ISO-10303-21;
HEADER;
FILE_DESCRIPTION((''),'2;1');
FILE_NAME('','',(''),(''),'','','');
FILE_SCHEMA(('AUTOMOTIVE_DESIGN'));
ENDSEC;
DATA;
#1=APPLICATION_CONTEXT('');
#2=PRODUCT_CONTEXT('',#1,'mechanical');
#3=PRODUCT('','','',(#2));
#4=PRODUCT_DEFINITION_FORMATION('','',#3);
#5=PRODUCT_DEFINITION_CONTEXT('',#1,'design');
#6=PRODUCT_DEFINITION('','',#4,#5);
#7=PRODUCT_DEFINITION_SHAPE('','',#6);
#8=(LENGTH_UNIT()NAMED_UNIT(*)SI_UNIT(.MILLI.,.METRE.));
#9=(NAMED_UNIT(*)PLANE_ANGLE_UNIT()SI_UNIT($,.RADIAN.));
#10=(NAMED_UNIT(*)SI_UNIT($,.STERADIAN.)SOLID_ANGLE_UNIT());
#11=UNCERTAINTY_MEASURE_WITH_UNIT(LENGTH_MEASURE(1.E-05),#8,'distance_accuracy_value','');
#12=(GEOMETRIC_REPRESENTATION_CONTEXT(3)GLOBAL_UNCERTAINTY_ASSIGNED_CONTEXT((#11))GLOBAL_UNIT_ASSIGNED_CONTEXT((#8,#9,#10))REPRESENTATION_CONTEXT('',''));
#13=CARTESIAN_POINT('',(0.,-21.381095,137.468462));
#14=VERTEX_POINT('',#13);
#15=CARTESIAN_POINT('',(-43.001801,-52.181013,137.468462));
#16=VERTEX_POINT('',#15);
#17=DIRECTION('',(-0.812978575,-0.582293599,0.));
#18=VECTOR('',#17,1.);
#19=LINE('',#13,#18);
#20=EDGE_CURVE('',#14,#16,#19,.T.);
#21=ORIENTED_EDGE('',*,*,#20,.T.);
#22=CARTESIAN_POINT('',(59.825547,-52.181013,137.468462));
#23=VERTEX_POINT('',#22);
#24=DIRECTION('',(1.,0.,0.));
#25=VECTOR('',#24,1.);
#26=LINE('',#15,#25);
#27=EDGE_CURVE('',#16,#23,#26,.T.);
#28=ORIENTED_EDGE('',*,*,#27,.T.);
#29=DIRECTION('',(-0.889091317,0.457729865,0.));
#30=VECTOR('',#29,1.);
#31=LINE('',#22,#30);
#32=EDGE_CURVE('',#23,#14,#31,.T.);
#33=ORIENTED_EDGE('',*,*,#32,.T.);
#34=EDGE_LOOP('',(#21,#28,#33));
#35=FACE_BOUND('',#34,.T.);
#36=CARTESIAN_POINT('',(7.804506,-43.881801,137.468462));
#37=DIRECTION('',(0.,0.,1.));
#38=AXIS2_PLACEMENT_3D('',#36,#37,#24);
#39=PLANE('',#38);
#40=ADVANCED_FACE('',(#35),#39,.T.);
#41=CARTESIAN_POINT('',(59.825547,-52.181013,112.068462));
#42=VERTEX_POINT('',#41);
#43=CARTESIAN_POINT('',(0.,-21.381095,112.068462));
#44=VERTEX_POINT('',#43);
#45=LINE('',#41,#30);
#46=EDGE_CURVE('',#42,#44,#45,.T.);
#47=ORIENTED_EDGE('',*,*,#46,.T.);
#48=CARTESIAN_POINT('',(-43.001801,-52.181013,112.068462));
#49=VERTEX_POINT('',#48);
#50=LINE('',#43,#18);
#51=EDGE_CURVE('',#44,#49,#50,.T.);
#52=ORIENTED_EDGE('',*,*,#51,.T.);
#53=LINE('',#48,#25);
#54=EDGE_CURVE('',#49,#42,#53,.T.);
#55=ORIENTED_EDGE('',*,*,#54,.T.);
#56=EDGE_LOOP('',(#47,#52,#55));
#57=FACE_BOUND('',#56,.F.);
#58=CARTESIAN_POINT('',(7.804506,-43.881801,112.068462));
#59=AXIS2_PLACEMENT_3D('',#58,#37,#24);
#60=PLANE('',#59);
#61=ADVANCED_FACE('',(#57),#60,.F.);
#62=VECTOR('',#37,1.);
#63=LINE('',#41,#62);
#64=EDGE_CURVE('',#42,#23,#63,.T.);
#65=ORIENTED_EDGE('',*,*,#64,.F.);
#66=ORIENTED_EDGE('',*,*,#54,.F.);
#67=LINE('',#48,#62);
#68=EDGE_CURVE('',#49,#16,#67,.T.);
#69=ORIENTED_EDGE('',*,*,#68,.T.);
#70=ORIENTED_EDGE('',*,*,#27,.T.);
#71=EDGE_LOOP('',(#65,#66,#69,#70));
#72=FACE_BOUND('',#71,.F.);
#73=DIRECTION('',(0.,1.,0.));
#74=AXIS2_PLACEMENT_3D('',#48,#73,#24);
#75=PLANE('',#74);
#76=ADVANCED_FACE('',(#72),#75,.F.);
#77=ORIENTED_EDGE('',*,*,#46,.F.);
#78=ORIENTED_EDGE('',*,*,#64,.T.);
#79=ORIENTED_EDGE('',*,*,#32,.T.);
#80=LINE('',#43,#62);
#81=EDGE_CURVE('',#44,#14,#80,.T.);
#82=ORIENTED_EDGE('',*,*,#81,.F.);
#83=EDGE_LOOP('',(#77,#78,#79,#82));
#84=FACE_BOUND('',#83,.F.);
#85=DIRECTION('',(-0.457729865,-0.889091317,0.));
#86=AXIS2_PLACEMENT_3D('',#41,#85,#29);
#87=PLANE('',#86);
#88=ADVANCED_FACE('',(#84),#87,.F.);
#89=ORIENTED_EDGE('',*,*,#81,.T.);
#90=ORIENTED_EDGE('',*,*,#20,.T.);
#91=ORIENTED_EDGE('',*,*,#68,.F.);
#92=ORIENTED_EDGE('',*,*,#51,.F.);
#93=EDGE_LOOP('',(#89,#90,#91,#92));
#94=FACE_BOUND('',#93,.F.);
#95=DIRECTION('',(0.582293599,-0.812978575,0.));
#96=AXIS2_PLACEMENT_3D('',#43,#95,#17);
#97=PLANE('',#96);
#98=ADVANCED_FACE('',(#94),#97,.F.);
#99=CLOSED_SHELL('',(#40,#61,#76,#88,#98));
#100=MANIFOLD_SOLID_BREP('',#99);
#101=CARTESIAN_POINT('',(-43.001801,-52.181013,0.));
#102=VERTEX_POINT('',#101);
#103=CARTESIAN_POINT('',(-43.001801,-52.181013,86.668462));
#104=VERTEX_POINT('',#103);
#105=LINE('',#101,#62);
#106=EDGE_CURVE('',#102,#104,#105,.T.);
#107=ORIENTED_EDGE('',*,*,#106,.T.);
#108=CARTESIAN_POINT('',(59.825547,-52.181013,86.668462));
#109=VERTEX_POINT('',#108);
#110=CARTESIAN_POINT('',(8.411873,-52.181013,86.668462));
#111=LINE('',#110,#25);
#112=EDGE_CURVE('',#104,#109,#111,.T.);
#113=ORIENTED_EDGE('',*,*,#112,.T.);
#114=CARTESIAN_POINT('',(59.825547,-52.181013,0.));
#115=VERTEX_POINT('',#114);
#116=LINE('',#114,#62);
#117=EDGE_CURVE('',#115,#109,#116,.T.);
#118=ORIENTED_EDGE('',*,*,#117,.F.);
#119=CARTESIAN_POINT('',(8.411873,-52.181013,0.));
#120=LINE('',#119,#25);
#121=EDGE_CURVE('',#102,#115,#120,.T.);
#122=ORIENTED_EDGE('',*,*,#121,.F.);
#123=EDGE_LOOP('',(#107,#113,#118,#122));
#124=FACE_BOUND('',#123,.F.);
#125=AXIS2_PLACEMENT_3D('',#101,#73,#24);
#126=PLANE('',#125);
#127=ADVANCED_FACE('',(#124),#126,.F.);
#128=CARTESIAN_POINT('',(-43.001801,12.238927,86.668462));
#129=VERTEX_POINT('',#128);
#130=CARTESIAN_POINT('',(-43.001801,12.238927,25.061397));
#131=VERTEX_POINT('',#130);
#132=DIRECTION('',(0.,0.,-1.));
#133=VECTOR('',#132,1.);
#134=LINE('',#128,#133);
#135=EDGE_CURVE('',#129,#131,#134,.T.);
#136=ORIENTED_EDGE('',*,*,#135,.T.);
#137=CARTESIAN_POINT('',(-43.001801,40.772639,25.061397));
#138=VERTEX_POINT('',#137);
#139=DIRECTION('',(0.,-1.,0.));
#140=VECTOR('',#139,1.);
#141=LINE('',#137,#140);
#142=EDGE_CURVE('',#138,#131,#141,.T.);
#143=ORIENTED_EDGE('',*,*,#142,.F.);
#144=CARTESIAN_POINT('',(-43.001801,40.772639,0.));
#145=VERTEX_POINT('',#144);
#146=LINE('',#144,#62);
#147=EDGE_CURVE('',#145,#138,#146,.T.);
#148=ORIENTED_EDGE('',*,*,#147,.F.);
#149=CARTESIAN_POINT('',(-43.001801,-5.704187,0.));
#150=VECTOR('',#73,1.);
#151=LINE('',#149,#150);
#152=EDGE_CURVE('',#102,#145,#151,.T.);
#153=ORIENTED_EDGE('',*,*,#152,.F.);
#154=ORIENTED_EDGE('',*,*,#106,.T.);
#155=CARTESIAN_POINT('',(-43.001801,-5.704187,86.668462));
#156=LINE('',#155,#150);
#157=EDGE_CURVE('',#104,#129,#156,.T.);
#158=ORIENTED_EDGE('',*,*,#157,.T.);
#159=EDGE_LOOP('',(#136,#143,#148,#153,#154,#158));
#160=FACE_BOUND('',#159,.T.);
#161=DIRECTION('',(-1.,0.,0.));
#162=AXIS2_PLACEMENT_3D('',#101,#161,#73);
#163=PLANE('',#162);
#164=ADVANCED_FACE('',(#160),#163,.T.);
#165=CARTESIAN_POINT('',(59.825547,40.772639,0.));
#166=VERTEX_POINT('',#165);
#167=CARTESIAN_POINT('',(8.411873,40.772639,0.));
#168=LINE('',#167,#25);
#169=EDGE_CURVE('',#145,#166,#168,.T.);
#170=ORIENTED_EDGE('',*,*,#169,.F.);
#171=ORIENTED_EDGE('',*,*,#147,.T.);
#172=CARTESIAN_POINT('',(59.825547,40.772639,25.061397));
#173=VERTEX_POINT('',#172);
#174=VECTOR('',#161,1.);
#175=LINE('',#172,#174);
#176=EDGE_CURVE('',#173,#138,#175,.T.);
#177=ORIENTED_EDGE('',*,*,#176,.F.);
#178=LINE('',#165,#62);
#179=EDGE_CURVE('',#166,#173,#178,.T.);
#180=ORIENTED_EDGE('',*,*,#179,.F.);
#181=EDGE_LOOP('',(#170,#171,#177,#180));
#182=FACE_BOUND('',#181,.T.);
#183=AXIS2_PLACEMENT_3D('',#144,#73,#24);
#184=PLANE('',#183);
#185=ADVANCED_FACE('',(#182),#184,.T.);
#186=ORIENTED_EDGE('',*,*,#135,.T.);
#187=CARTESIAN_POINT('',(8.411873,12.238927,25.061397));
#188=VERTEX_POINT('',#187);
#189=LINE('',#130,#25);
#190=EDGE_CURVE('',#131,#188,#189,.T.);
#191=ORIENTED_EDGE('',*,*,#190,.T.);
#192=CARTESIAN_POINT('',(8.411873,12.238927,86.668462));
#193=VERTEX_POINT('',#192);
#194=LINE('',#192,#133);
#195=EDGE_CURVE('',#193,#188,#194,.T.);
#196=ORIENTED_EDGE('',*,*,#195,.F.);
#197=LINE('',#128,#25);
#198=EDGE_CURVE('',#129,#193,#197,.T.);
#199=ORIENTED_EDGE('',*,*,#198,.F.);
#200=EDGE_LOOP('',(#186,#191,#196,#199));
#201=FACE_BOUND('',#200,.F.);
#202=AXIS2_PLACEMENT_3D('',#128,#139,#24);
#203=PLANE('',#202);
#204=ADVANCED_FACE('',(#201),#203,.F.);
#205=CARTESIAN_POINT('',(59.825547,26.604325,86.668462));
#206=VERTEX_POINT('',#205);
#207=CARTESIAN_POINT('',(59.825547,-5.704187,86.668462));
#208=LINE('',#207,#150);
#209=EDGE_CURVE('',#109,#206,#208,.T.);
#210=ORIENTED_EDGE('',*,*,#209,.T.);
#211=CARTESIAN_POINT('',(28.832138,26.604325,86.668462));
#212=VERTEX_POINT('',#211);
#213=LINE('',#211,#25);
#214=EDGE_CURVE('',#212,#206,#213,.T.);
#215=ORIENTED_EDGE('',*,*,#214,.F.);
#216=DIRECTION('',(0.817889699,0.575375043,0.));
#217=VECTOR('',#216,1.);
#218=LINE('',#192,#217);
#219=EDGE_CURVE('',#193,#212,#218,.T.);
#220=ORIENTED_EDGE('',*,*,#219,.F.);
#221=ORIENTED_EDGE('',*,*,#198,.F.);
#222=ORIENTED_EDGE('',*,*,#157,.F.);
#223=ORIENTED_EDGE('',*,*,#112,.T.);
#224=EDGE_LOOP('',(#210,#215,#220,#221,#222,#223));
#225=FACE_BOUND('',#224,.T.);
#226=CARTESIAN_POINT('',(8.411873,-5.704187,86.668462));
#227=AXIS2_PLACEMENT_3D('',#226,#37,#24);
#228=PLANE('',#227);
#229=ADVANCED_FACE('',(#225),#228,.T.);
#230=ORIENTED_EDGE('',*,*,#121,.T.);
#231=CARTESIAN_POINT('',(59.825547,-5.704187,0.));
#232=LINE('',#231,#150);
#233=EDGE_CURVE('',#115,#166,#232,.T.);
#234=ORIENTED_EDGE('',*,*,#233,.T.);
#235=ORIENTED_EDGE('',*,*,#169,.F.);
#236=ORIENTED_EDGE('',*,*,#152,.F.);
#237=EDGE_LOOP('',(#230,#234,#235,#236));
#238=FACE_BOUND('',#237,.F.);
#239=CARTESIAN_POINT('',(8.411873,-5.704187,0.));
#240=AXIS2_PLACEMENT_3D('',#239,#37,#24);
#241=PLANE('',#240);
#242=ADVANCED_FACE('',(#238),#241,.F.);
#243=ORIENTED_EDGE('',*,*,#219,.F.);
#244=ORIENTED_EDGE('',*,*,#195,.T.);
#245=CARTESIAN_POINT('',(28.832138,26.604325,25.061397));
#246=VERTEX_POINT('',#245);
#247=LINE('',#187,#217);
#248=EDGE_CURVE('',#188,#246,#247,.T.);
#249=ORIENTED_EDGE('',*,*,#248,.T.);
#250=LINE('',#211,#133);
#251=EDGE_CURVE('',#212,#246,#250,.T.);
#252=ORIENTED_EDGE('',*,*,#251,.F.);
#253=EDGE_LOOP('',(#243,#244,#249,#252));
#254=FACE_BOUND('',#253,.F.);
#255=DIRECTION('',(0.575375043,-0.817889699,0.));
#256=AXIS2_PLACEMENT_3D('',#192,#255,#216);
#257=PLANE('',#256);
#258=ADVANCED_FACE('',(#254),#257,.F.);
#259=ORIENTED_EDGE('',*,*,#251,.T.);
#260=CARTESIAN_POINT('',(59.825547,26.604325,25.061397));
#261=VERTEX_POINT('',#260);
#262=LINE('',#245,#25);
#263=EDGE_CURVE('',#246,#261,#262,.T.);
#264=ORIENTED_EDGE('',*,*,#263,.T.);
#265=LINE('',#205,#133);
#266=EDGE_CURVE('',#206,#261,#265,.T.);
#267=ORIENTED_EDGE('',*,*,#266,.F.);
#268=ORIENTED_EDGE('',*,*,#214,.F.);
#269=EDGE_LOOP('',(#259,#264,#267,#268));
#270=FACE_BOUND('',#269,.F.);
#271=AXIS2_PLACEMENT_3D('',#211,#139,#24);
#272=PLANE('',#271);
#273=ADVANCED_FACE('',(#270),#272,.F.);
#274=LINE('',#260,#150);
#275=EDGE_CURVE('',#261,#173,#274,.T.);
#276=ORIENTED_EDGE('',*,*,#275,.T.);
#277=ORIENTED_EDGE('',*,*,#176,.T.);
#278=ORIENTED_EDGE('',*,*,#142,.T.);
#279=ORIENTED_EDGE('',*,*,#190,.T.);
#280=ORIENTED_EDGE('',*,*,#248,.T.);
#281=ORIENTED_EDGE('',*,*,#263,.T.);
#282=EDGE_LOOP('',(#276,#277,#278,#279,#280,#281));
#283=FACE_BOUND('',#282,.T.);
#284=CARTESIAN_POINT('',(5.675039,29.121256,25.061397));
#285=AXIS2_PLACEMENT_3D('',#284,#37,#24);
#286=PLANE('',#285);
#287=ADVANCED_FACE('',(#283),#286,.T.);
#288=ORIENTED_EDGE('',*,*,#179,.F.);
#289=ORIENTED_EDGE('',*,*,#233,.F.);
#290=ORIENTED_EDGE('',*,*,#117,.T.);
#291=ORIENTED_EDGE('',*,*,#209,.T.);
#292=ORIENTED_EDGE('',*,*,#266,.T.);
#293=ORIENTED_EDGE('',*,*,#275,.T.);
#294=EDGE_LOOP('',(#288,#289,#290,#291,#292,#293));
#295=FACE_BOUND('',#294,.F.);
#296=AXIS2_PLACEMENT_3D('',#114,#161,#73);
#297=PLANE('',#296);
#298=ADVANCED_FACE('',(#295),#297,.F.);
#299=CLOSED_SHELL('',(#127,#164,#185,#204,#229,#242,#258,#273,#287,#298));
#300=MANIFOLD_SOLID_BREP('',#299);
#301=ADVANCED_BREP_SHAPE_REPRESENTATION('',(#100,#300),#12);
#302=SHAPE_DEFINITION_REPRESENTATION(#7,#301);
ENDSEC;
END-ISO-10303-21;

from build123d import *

# Parameters (mm, degrees)
F0_W     = 102.827347815
F0_H     = 92.9536521435
F1_DEPTH = 86.6684615612
F3_DEPTH = 61.6070646793
F6_DEPTH = 25.4


with BuildPart() as f1:
    # F0 (on Top) → F1 (new body)
    with BuildSketch(Plane.XY):
        with Locations((8.411873132, -5.7041868567)):
            Rectangle(F0_W, F0_H)
    extrude(amount=F1_DEPTH)

    # F2 (on face) → F3 (cut)
    with BuildSketch(Plane.XY.offset(86.6684615612)):
        Polygon((-43.0018007755, 40.772639215), (-43.0018007755, 12.2389271855), (8.411873132, 12.2389271855), (28.8321375847, 26.6043245792), (59.8255470395, 26.6043245792), (59.8255470395, 40.772639215), align=None)
    extrude(amount=-F3_DEPTH, mode=Mode.SUBTRACT)


with BuildPart() as f6:
    # F5 (on offset) → F6 (new body)
    with BuildSketch(Plane.XY.offset(112.0684615612)):
        Polygon((-43.0018007755, -52.1810129285), (59.8255470395, -52.1810129285), (0, -21.3810950518), align=None)
    extrude(amount=F6_DEPTH)


solid = Compound([f1.part, f6.part])
